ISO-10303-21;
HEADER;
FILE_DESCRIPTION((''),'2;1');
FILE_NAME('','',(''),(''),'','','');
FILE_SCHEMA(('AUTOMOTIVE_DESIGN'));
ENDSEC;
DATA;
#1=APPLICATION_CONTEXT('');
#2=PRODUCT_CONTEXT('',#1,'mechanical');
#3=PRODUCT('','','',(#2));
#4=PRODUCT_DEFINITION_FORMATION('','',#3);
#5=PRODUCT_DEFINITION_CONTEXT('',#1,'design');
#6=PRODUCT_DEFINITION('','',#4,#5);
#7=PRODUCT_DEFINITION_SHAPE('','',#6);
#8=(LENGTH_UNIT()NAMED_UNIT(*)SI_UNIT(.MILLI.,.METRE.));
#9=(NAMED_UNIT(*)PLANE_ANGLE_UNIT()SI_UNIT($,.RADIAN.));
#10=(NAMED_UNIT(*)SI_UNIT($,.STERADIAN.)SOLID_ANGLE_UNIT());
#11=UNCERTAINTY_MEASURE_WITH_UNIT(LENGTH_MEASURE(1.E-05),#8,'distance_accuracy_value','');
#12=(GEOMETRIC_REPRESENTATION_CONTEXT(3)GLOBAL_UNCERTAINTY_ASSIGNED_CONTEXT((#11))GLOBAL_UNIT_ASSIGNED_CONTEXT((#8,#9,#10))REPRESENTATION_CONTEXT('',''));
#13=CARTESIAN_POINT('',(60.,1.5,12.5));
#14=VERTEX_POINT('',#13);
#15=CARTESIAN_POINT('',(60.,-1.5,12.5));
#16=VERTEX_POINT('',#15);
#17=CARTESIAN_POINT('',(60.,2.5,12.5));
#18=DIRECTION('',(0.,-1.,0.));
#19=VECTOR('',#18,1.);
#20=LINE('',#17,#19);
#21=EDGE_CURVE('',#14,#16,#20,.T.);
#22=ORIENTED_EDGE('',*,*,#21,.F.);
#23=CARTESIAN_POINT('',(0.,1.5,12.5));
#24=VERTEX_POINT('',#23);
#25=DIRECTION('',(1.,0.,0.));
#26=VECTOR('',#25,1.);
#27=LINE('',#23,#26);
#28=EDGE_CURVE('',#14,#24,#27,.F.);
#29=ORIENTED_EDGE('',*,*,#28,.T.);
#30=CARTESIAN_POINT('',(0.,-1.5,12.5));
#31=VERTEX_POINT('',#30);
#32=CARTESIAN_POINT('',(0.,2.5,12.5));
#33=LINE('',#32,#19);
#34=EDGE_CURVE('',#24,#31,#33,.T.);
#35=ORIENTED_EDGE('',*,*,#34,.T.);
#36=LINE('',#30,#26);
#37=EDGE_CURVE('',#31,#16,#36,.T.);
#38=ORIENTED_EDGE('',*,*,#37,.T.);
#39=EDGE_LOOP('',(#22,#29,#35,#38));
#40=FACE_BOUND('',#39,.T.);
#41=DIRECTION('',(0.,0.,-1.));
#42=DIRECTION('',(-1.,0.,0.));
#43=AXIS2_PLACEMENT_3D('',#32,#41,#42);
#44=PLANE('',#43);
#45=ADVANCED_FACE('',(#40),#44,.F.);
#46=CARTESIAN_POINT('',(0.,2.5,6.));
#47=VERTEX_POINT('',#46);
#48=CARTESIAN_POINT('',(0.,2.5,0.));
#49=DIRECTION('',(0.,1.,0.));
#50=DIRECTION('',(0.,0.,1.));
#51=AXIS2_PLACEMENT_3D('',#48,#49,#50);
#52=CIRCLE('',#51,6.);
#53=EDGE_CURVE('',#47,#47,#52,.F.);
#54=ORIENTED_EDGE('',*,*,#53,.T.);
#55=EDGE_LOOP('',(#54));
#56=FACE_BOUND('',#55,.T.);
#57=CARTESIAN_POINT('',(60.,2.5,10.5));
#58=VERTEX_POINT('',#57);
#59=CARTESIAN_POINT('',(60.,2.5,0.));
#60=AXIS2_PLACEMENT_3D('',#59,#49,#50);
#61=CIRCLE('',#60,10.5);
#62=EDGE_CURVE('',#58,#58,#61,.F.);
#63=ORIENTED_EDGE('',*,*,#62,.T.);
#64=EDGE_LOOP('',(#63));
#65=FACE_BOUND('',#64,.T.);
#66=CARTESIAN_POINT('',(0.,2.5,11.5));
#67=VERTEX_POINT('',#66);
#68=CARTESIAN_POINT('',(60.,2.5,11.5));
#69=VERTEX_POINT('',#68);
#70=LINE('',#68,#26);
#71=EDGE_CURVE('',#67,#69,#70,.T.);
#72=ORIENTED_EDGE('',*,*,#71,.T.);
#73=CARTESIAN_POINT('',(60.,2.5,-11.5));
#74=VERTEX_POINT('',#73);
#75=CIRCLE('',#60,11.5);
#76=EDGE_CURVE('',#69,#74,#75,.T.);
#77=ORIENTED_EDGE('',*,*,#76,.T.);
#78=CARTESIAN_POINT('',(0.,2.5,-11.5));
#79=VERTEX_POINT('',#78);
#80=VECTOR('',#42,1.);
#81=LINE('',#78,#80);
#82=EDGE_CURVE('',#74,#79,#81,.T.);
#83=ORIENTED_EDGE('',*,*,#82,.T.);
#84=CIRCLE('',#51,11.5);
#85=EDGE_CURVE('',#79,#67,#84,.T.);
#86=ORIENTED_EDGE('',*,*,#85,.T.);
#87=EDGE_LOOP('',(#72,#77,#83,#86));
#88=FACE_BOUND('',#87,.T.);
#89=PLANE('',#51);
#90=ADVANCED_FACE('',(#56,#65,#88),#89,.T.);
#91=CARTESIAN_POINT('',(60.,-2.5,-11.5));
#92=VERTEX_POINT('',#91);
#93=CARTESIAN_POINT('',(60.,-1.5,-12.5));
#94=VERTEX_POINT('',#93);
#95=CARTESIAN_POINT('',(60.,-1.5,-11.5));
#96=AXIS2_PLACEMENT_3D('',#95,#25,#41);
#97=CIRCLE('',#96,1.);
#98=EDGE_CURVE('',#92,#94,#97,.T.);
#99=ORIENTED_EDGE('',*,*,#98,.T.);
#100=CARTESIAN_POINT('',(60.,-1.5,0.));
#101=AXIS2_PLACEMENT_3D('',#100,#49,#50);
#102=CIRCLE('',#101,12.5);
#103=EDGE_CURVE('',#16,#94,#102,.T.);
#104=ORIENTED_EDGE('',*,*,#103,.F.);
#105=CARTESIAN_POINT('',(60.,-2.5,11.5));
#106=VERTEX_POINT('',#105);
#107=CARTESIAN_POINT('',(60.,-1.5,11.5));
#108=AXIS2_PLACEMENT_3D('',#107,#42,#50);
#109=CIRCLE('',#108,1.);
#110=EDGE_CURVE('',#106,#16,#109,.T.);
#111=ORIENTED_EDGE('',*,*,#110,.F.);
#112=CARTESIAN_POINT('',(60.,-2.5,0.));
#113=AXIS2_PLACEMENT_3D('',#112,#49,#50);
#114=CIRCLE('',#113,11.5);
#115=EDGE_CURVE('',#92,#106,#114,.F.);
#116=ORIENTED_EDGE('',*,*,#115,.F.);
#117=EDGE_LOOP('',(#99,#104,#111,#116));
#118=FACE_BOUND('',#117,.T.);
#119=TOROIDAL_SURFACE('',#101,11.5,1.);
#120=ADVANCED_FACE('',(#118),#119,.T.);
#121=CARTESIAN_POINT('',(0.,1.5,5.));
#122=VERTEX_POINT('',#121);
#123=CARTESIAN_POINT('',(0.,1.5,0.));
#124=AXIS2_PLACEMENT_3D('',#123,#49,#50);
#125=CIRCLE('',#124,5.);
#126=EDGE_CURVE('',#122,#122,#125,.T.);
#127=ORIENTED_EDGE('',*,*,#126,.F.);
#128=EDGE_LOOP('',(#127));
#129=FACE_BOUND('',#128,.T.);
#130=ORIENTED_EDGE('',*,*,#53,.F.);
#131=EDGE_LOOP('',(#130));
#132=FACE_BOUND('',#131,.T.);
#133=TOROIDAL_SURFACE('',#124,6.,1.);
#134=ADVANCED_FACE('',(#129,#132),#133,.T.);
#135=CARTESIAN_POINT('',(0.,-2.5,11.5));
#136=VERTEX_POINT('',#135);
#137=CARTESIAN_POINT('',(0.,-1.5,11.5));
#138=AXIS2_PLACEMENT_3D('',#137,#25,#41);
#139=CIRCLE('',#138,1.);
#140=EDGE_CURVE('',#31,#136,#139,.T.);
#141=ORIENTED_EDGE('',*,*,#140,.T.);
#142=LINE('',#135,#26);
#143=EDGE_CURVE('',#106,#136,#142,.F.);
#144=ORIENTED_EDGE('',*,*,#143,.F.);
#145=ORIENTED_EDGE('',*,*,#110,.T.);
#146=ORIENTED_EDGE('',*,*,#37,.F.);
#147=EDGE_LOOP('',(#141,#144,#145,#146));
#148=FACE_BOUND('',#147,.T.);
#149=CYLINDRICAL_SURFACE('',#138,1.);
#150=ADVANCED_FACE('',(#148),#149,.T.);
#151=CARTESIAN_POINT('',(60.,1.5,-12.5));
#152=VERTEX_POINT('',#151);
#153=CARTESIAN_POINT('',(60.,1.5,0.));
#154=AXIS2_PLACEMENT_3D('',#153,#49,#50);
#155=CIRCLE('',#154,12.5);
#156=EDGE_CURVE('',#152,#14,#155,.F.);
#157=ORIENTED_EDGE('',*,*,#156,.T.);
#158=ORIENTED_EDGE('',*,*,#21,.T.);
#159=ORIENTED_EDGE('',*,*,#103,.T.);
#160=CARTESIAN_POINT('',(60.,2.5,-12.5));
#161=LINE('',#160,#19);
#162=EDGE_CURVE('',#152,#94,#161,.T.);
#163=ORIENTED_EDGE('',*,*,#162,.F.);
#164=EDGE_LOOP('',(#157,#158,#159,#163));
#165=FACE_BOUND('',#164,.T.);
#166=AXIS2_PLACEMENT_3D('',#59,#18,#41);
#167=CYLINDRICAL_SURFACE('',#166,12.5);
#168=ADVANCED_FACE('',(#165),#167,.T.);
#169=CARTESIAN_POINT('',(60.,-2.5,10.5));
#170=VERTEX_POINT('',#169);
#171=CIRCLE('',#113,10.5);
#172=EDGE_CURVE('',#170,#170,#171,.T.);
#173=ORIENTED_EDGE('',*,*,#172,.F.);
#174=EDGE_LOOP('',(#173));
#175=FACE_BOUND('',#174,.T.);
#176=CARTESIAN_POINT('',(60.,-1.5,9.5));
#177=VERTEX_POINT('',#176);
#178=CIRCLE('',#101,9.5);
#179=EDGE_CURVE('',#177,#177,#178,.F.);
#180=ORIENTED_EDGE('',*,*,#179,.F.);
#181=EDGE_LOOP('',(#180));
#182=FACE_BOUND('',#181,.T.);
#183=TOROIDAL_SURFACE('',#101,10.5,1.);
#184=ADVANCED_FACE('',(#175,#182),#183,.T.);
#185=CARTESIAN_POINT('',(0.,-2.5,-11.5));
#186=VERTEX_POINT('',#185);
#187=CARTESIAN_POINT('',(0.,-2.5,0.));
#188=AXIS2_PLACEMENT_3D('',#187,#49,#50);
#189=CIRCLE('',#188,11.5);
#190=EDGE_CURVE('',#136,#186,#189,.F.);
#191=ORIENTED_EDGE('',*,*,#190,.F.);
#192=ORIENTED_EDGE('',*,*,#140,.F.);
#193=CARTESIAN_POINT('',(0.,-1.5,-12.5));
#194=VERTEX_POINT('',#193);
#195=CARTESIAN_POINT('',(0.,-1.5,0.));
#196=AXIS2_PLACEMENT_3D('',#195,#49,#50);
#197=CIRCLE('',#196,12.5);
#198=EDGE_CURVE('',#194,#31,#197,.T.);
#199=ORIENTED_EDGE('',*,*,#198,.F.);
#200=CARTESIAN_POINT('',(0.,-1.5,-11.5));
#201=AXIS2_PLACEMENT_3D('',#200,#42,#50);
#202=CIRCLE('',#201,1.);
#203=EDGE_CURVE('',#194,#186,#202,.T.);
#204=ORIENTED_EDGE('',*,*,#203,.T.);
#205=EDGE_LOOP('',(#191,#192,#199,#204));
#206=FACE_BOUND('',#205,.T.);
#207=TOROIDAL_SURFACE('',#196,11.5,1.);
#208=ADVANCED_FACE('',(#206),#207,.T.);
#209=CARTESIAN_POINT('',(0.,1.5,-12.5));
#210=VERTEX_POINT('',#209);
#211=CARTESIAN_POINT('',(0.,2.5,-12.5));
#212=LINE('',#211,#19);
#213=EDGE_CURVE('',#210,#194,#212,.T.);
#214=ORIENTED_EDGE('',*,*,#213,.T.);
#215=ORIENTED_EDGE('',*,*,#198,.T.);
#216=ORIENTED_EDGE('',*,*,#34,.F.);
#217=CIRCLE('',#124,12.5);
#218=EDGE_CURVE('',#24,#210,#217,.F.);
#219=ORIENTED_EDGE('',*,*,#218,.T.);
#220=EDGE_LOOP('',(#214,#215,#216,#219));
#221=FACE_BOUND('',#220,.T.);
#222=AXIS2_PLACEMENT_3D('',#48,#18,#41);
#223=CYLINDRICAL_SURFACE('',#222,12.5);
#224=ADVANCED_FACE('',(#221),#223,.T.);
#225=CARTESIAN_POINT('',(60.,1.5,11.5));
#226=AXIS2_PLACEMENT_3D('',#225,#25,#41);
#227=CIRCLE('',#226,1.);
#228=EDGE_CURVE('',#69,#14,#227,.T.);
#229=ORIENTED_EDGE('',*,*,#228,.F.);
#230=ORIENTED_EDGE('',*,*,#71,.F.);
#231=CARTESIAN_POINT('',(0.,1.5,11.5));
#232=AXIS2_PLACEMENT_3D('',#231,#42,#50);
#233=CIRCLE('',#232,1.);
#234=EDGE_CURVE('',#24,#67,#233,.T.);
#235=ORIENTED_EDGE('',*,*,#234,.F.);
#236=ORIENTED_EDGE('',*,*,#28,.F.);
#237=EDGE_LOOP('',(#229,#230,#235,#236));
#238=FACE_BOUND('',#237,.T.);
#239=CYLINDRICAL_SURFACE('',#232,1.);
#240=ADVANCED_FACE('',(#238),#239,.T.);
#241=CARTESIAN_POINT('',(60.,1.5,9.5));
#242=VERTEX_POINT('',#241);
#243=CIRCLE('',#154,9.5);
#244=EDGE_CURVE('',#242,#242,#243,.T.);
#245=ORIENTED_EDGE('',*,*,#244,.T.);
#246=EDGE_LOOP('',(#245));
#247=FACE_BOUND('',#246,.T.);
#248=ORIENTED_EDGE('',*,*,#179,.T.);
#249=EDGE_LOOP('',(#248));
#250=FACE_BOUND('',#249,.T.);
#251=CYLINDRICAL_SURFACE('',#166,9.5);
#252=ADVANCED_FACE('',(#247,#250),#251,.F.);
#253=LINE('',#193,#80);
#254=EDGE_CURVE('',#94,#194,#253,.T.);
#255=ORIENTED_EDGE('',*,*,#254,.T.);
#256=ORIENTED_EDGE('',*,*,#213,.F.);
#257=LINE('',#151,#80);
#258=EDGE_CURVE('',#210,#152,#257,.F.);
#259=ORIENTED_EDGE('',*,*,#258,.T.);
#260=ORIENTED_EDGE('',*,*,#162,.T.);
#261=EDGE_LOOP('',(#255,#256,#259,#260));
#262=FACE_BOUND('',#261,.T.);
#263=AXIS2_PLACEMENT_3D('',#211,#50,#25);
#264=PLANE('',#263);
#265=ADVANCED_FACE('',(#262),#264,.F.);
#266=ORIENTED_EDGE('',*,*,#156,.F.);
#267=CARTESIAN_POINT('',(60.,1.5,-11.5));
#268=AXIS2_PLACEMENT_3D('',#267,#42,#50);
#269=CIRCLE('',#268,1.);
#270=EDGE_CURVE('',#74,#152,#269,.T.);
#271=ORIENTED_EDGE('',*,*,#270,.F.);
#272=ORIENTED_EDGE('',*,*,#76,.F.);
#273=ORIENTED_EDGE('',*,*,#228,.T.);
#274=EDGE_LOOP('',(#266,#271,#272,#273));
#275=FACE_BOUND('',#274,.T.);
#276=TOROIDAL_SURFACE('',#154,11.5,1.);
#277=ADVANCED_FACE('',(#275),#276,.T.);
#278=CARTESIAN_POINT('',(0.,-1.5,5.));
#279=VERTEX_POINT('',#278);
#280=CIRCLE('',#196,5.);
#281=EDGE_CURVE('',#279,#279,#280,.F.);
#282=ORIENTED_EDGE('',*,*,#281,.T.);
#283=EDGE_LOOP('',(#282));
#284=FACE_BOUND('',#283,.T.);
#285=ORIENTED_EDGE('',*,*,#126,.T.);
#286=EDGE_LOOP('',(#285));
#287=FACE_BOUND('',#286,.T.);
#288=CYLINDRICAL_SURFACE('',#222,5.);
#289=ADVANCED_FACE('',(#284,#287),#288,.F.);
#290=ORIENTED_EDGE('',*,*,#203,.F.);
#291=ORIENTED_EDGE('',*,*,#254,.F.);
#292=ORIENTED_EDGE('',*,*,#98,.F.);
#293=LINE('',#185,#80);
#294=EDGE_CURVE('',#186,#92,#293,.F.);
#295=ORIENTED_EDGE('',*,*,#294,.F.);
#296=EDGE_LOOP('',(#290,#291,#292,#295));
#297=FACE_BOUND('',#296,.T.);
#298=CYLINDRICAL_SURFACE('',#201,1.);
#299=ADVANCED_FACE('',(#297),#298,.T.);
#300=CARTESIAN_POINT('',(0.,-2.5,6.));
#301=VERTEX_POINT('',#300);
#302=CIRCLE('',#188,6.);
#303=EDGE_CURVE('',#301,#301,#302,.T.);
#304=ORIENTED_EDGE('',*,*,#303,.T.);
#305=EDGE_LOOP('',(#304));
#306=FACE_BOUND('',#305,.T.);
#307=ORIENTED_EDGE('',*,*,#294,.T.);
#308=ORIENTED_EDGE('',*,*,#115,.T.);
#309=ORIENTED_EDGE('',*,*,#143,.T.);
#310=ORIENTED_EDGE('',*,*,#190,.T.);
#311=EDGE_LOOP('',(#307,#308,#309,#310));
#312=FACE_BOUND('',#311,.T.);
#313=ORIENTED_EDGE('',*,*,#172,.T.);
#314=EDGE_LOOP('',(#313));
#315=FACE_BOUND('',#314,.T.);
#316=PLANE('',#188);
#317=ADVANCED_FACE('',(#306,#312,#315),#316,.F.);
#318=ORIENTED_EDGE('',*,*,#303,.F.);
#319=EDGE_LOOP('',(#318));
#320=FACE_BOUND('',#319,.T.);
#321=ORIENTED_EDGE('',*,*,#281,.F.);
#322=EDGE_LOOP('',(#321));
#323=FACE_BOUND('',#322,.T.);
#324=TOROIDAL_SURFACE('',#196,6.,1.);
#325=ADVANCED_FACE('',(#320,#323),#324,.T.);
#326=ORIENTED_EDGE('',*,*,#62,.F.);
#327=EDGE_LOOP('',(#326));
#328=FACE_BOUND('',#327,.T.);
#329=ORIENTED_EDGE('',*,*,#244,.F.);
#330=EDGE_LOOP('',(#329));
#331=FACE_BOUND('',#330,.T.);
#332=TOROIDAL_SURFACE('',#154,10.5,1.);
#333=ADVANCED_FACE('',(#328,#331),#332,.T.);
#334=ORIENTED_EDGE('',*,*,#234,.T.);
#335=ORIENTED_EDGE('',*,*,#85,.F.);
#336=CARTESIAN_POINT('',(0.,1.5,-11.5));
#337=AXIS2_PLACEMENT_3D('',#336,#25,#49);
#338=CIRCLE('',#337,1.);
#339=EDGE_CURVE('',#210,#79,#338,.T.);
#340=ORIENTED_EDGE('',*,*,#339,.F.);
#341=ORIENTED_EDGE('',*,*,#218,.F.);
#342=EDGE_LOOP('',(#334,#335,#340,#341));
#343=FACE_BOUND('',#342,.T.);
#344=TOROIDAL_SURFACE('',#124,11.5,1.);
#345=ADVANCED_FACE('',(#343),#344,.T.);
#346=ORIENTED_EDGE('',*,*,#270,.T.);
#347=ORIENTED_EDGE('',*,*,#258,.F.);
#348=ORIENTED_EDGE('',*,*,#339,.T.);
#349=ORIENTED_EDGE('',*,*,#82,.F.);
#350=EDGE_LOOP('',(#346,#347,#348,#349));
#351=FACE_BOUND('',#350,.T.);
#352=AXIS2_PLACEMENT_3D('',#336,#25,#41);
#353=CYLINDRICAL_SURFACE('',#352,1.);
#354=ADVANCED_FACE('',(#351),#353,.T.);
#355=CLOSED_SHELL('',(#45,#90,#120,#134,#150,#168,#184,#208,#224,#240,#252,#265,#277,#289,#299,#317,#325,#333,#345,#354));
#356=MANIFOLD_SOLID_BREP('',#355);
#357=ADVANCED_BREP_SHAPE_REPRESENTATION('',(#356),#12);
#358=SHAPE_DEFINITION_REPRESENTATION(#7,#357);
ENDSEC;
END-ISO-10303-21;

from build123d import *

# Parameters (mm, degrees)
SKETCH1_R           = 5
SKETCH1_R_2         = 9.5
BOSS_EXTRUDE1_DEPTH = 2.5
FILLET1_R           = 1


with BuildPart() as part:
    # Sketch1 → Boss-Extrude1 (new, symmetric)
    with BuildSketch(Plane(origin=(0, 0, 0), x_dir=(1, 0, 0), z_dir=(0, 1, 0))):
        with BuildLine():
            Line((0, 12.5), (60, 12.5))
            ThreePointArc((60, 12.5), (72.5, 0), (60, -12.5))
            Line((60, -12.5), (0, -12.5))
            ThreePointArc((0, -12.5), (-12.5, 0), (0, 12.5))
        make_face()
        with Locations(Location((0, 0, 0), (0, 0, 270))):
            Circle(SKETCH1_R, mode=Mode.SUBTRACT)
        with Locations(Location((60, 0, 0), (0, 0, 270))):
            Circle(SKETCH1_R_2, mode=Mode.SUBTRACT)
    extrude(amount=BOSS_EXTRUDE1_DEPTH, both=True)

    # Fillet1
    fillet1_edges = [part.edges().sort_by_distance(p)[0] for p in [
        (0, -2.5, -5),
        (0, 2.5, -5),
        (72.5, 2.5, 0),
        (60, -2.5, -9.5),
        (60, 2.5, -9.5),
        (30, 2.5, -12.5),
        (-12.5, 2.5, 0),
        (30, -2.5, -12.5),
        (72.5, -2.5, 0),
        (30, -2.5, 12.5),
        (-12.5, -2.5, 0),
        (30, 2.5, 12.5),
    ]]
    fillet(fillet1_edges, radius=FILLET1_R)


solid = part.part
